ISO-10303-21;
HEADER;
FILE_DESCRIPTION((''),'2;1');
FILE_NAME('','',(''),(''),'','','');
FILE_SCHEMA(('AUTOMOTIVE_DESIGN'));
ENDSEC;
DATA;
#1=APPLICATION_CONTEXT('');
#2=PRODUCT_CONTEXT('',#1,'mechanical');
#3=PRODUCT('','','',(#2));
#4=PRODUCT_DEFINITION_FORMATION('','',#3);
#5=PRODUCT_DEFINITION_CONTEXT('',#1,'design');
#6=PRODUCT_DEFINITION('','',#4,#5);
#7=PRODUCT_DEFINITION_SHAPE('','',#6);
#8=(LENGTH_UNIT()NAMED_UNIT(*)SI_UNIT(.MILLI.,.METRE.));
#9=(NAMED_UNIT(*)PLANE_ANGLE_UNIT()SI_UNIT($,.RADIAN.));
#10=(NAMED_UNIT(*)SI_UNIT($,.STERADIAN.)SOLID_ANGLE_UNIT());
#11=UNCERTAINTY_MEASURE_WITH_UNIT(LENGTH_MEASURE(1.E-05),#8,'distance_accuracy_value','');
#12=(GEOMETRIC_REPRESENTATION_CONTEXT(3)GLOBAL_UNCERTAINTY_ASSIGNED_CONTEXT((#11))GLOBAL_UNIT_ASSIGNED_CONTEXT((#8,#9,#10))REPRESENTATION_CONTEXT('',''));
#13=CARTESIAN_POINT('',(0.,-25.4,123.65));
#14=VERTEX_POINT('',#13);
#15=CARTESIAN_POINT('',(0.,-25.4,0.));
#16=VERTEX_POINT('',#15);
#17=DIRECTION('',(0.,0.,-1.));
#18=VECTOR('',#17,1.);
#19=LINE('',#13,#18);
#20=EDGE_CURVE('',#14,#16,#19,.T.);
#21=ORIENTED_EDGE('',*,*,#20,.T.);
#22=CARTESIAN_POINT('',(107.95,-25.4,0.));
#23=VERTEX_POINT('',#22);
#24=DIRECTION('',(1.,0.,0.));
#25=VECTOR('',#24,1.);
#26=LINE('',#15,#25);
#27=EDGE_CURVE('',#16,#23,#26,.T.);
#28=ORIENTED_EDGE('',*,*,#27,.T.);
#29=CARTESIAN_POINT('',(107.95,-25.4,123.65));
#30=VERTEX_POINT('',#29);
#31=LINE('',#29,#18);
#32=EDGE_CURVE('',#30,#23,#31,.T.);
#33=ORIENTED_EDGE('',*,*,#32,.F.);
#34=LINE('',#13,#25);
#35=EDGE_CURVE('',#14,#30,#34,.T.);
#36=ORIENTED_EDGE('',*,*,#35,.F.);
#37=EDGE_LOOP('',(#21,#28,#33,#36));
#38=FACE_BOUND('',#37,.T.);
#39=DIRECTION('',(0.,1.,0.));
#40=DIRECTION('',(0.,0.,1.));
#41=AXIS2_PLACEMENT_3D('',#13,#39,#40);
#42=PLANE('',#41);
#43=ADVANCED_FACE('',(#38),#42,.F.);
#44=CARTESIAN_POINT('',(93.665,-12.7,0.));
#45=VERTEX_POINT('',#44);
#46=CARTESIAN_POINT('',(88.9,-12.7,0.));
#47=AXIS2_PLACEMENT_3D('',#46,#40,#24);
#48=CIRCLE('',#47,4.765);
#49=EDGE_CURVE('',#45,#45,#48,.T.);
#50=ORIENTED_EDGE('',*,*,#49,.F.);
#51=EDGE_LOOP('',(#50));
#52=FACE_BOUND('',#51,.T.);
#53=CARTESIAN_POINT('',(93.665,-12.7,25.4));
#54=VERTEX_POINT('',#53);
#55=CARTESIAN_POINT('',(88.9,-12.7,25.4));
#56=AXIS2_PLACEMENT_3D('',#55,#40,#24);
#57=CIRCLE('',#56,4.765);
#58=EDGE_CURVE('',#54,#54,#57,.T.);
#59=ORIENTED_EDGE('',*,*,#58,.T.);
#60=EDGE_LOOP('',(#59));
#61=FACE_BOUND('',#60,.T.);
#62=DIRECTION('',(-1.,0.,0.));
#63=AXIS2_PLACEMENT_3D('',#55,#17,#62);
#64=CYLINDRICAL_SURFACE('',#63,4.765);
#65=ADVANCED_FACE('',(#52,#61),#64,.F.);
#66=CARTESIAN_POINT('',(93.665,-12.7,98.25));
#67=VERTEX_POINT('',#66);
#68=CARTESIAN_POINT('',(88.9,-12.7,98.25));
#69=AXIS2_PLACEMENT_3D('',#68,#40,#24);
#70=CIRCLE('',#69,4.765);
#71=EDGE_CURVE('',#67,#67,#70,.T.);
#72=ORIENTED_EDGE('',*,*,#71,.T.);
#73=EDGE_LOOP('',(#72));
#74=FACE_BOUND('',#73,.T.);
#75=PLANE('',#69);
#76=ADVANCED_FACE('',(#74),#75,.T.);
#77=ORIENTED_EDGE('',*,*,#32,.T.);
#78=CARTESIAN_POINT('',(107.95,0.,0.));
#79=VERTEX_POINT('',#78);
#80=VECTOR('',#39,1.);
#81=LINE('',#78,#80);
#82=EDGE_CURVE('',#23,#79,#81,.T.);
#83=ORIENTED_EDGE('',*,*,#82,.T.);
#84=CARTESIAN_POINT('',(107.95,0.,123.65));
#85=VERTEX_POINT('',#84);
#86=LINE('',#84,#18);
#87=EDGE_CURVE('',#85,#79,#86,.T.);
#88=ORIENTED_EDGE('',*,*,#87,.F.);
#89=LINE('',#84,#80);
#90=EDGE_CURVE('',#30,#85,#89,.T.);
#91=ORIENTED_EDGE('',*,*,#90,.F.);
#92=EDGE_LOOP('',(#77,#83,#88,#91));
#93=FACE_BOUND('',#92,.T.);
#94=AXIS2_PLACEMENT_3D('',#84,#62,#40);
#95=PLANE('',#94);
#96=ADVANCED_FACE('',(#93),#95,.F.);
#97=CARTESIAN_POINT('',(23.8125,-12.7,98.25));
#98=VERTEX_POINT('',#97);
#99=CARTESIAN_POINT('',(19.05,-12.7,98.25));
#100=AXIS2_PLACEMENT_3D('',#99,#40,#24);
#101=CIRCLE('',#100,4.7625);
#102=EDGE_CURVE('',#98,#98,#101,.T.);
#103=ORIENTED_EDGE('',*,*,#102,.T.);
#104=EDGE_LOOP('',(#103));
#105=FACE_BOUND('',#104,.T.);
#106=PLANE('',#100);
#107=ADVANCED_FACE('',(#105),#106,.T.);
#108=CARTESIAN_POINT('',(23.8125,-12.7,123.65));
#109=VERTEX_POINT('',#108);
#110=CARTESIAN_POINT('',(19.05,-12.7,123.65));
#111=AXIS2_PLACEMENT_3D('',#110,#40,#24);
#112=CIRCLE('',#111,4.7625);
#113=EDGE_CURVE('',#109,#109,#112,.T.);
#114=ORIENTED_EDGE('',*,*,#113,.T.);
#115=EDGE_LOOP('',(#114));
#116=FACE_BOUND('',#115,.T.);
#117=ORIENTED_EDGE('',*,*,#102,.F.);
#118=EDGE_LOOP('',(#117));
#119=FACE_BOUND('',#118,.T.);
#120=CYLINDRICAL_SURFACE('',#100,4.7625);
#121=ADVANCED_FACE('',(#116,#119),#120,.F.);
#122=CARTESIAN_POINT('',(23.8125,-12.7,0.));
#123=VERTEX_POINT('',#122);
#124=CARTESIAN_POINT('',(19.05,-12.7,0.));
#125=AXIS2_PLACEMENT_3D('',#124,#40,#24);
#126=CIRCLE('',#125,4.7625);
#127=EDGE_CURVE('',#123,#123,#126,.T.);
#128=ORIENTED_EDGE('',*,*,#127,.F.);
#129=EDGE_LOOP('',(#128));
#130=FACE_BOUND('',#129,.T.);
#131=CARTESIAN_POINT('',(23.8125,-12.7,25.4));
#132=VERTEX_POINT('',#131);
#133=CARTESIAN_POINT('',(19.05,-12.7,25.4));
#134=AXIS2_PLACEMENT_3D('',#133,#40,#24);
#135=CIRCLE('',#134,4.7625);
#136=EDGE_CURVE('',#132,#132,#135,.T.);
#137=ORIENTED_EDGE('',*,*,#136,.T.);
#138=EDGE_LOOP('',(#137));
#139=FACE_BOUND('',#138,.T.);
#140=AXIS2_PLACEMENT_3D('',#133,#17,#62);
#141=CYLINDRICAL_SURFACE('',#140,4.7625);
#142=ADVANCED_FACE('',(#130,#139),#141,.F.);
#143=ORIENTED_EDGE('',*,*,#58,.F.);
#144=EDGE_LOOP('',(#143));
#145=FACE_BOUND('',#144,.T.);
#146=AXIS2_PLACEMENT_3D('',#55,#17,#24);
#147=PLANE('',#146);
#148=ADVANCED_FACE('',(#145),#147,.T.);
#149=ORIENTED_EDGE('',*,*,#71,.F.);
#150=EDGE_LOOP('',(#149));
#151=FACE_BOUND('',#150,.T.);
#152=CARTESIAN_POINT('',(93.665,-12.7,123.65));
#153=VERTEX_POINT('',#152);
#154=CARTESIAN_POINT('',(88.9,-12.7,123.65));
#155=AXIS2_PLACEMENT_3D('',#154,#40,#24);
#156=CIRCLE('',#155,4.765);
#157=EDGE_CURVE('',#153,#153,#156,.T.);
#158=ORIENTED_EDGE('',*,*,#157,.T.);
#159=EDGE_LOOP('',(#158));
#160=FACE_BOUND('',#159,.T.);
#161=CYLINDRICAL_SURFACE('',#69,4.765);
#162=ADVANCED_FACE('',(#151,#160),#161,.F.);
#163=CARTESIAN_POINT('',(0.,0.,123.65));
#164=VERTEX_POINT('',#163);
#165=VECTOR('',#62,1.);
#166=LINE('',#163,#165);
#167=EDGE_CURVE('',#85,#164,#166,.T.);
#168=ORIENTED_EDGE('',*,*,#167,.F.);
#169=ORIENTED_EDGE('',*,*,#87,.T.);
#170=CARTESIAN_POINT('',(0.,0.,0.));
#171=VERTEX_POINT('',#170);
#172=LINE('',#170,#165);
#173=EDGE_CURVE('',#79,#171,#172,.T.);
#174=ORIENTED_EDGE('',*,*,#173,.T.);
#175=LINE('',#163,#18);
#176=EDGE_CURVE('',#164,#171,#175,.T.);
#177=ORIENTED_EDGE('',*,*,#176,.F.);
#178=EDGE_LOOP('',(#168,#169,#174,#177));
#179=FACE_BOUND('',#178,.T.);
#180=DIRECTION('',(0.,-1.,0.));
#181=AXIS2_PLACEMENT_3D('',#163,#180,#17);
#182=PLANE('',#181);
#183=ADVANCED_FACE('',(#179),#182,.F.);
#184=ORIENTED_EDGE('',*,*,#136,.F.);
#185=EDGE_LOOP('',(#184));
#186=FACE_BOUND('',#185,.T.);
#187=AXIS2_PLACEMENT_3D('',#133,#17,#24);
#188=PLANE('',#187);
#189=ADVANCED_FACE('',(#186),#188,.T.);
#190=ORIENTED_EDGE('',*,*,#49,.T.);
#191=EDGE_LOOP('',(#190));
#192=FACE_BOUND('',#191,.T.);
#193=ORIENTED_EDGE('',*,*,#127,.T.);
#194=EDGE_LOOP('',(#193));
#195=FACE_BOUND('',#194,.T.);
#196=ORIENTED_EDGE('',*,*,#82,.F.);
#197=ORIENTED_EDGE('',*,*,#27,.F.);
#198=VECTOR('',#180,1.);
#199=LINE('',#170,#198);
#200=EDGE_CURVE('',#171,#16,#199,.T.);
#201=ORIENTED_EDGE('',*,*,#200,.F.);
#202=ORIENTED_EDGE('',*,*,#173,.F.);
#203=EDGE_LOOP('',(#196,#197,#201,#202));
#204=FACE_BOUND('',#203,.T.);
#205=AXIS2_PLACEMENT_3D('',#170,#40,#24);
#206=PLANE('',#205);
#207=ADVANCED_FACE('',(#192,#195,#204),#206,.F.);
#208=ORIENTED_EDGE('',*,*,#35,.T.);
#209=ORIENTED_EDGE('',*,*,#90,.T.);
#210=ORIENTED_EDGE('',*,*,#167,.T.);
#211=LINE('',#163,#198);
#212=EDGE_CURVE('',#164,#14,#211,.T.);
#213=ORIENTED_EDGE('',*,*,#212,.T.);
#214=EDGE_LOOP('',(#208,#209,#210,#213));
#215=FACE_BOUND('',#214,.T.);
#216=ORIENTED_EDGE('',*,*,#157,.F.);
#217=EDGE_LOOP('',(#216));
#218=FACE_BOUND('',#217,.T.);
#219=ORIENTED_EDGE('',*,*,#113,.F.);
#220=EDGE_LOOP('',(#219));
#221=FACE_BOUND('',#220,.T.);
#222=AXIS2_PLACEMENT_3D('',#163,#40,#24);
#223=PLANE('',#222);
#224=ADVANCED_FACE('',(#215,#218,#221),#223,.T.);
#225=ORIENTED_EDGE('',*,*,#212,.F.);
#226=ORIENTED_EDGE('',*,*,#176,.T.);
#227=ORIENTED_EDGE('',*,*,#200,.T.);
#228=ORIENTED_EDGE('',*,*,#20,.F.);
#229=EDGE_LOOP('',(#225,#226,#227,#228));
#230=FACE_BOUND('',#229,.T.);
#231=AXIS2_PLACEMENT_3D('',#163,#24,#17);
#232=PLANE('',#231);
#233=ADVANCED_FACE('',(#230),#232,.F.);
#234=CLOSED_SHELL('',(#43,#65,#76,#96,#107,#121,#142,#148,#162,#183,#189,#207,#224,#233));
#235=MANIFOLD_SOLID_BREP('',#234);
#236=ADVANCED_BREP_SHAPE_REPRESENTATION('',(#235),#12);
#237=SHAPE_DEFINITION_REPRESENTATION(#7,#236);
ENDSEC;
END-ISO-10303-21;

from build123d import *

# Parameters (mm, degrees)
SKETCH1_W           = 107.95
SKETCH1_H           = 25.4
BOSS_EXTRUDE1_DEPTH = 123.65
SKETCH2_R           = 4.7625
SKETCH2_R_2         = 4.765
CUT_EXTRUDE1_DEPTH  = 25.4


with BuildPart() as part:
    # Sketch1 → Boss-Extrude1 (new body)
    with BuildSketch(Plane.XY):
        with Locations((53.975, -12.7)):
            Rectangle(SKETCH1_W, SKETCH1_H)
    extrude(amount=BOSS_EXTRUDE1_DEPTH)

    # Sketch2 → Cut-Extrude1 (cut)
    with BuildSketch(Plane.XY.offset(123.65)):
        with Locations((19.05, -12.7)):
            Circle(SKETCH2_R)
        with Locations((88.9, -12.7)):
            Circle(SKETCH2_R_2)
    cut_extrude1 = extrude(amount=-CUT_EXTRUDE1_DEPTH, mode=Mode.SUBTRACT)

    # Mirror1: Cut-Extrude1 across plane
    add(cut_extrude1.mirror(Plane.XY.offset(61.825)), mode=Mode.SUBTRACT)


solid = part.part
